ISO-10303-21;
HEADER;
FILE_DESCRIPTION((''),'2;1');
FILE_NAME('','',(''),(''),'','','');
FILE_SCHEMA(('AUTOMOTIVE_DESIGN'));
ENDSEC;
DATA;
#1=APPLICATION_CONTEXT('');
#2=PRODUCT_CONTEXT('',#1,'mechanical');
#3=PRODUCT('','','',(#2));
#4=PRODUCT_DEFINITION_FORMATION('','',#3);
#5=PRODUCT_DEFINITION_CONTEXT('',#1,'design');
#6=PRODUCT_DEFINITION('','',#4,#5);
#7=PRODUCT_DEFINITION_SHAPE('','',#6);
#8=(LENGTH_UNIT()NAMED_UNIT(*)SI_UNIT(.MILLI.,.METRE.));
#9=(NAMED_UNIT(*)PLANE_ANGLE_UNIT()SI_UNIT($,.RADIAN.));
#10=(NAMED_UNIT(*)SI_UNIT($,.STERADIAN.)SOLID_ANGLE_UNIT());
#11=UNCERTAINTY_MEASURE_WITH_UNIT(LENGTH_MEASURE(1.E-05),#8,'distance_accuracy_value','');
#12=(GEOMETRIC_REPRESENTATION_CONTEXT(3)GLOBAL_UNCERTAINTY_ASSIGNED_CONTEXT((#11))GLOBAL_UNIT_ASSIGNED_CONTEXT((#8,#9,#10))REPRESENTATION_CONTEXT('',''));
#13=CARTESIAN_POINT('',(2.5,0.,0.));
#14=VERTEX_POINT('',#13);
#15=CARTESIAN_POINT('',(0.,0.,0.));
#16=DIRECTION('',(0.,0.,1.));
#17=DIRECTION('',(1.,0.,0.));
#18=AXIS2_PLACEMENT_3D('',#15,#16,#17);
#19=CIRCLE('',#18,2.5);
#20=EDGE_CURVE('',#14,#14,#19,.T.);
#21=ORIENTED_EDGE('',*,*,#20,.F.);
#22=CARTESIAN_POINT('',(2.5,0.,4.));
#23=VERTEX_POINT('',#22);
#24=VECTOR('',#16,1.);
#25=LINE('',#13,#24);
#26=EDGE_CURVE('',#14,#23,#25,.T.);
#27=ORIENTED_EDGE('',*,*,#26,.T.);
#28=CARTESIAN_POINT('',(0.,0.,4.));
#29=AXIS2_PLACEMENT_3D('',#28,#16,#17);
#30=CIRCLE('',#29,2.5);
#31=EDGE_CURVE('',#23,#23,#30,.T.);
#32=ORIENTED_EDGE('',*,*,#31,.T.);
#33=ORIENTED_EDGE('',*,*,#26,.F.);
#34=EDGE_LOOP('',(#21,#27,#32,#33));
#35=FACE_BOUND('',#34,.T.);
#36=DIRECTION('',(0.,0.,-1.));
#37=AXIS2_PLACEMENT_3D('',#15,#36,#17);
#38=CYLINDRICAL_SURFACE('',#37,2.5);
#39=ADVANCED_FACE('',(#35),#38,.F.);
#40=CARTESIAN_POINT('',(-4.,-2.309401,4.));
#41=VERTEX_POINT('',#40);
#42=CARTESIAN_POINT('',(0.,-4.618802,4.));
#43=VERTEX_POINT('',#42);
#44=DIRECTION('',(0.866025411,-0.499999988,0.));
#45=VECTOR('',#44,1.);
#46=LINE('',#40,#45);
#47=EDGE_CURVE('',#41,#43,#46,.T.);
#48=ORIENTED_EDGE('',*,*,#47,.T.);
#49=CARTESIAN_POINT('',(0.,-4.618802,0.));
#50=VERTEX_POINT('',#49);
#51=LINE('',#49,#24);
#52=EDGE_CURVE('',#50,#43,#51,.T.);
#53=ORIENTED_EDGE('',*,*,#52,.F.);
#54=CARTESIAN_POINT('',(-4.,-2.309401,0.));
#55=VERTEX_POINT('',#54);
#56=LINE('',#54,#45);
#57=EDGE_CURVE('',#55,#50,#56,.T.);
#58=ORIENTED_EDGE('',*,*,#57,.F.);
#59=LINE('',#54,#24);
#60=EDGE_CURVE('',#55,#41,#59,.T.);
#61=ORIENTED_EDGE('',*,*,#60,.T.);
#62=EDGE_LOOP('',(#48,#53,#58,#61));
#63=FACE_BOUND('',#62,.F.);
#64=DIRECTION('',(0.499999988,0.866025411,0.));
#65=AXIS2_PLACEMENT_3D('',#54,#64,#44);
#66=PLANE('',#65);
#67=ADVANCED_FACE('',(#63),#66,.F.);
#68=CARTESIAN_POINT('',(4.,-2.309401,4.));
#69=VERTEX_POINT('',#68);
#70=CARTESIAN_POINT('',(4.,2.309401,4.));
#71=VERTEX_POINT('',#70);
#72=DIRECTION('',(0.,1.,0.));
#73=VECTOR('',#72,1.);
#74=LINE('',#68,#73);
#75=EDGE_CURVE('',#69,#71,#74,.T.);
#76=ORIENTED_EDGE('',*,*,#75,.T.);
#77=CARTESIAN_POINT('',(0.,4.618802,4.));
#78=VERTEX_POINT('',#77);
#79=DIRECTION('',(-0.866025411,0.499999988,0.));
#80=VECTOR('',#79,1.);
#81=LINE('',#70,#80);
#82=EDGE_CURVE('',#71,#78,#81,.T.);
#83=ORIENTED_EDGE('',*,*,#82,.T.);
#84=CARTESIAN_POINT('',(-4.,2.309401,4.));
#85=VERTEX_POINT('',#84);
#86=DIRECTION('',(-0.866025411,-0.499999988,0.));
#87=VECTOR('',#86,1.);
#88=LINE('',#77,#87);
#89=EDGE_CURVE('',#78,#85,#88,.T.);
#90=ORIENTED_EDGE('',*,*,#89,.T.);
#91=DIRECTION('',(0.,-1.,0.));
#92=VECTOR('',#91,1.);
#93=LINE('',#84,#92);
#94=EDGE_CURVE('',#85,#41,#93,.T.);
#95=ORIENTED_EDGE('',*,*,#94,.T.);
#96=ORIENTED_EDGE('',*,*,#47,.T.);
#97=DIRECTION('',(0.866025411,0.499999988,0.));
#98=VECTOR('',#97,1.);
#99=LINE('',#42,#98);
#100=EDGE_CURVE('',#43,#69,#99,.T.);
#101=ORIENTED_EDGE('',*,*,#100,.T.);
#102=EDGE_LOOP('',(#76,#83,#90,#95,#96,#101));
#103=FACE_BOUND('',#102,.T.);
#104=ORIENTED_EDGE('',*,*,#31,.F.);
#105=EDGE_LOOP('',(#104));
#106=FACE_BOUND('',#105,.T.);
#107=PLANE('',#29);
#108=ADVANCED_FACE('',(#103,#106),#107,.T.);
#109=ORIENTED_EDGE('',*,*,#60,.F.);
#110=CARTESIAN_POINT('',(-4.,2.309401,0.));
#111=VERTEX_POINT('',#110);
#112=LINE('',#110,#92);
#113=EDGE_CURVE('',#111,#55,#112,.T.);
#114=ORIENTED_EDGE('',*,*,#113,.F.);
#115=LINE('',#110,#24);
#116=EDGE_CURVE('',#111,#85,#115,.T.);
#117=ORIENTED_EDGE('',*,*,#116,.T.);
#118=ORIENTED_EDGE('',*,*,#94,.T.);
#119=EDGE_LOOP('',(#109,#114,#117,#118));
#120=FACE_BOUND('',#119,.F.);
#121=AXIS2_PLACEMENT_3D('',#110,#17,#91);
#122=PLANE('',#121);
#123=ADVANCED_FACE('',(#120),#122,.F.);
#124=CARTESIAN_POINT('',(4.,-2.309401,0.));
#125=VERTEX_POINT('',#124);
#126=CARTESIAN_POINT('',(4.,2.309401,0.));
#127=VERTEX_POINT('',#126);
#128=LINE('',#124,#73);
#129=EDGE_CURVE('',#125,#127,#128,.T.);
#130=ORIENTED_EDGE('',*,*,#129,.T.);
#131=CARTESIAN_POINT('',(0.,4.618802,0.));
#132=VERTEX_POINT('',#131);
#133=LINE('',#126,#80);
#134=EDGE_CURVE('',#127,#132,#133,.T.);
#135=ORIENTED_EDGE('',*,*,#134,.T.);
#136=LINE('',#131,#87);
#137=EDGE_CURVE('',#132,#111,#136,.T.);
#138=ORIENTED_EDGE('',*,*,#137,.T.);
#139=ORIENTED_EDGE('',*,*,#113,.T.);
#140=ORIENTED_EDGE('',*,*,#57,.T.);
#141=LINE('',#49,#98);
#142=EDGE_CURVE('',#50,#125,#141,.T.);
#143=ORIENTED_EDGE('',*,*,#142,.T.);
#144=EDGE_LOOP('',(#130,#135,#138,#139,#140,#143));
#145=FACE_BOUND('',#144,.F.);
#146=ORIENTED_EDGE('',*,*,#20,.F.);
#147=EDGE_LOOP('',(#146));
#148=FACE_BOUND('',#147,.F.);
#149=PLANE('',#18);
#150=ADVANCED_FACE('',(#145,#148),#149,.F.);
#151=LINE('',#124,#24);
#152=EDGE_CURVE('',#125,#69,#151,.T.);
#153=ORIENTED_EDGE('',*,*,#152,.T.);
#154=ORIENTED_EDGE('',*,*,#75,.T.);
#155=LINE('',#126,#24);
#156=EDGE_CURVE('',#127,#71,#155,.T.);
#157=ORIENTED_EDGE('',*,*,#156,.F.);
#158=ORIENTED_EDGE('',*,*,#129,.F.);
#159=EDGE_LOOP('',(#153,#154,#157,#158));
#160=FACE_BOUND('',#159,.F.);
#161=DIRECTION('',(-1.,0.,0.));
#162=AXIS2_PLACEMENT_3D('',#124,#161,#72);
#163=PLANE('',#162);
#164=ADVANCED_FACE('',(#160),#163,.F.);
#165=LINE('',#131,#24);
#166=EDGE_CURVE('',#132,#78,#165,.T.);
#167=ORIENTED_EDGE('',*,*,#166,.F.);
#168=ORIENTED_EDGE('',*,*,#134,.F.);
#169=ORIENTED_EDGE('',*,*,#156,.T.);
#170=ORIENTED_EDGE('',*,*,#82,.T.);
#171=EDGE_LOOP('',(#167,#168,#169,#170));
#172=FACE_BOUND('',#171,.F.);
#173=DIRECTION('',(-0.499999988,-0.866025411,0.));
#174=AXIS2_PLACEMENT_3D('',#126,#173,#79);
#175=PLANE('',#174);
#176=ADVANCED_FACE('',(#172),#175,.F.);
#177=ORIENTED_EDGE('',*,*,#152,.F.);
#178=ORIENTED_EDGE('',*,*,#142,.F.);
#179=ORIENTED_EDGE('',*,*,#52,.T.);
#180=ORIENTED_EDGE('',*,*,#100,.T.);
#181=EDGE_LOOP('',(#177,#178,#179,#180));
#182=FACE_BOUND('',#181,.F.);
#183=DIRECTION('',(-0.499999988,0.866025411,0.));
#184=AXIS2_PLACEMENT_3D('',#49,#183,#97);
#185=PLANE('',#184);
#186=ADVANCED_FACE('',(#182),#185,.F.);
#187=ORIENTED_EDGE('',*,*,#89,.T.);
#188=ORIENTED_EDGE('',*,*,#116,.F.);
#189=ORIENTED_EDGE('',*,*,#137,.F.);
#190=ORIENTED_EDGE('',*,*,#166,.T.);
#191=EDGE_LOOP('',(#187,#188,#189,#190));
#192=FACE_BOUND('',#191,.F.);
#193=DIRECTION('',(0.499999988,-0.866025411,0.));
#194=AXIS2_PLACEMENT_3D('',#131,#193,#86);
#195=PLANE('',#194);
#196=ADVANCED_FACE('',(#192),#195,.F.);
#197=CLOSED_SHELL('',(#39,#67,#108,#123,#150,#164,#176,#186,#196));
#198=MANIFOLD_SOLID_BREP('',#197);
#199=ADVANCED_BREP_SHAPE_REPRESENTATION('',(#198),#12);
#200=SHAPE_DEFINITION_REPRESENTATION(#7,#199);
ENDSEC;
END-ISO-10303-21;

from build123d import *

# Parameters (mm, degrees)
SKETCH_R  = 2.5
PAD_DEPTH = 4


with BuildPart() as part:
    # Sketch → Pad (new body)
    with BuildSketch(Plane.XY):
        Polygon((0, 4.618802), (-4, 2.309401), (-4, -2.309401), (0, -4.618802), (4, -2.309401), (4, 2.309401), align=None)
        Circle(SKETCH_R, mode=Mode.SUBTRACT)
    extrude(amount=PAD_DEPTH)


solid = part.part
